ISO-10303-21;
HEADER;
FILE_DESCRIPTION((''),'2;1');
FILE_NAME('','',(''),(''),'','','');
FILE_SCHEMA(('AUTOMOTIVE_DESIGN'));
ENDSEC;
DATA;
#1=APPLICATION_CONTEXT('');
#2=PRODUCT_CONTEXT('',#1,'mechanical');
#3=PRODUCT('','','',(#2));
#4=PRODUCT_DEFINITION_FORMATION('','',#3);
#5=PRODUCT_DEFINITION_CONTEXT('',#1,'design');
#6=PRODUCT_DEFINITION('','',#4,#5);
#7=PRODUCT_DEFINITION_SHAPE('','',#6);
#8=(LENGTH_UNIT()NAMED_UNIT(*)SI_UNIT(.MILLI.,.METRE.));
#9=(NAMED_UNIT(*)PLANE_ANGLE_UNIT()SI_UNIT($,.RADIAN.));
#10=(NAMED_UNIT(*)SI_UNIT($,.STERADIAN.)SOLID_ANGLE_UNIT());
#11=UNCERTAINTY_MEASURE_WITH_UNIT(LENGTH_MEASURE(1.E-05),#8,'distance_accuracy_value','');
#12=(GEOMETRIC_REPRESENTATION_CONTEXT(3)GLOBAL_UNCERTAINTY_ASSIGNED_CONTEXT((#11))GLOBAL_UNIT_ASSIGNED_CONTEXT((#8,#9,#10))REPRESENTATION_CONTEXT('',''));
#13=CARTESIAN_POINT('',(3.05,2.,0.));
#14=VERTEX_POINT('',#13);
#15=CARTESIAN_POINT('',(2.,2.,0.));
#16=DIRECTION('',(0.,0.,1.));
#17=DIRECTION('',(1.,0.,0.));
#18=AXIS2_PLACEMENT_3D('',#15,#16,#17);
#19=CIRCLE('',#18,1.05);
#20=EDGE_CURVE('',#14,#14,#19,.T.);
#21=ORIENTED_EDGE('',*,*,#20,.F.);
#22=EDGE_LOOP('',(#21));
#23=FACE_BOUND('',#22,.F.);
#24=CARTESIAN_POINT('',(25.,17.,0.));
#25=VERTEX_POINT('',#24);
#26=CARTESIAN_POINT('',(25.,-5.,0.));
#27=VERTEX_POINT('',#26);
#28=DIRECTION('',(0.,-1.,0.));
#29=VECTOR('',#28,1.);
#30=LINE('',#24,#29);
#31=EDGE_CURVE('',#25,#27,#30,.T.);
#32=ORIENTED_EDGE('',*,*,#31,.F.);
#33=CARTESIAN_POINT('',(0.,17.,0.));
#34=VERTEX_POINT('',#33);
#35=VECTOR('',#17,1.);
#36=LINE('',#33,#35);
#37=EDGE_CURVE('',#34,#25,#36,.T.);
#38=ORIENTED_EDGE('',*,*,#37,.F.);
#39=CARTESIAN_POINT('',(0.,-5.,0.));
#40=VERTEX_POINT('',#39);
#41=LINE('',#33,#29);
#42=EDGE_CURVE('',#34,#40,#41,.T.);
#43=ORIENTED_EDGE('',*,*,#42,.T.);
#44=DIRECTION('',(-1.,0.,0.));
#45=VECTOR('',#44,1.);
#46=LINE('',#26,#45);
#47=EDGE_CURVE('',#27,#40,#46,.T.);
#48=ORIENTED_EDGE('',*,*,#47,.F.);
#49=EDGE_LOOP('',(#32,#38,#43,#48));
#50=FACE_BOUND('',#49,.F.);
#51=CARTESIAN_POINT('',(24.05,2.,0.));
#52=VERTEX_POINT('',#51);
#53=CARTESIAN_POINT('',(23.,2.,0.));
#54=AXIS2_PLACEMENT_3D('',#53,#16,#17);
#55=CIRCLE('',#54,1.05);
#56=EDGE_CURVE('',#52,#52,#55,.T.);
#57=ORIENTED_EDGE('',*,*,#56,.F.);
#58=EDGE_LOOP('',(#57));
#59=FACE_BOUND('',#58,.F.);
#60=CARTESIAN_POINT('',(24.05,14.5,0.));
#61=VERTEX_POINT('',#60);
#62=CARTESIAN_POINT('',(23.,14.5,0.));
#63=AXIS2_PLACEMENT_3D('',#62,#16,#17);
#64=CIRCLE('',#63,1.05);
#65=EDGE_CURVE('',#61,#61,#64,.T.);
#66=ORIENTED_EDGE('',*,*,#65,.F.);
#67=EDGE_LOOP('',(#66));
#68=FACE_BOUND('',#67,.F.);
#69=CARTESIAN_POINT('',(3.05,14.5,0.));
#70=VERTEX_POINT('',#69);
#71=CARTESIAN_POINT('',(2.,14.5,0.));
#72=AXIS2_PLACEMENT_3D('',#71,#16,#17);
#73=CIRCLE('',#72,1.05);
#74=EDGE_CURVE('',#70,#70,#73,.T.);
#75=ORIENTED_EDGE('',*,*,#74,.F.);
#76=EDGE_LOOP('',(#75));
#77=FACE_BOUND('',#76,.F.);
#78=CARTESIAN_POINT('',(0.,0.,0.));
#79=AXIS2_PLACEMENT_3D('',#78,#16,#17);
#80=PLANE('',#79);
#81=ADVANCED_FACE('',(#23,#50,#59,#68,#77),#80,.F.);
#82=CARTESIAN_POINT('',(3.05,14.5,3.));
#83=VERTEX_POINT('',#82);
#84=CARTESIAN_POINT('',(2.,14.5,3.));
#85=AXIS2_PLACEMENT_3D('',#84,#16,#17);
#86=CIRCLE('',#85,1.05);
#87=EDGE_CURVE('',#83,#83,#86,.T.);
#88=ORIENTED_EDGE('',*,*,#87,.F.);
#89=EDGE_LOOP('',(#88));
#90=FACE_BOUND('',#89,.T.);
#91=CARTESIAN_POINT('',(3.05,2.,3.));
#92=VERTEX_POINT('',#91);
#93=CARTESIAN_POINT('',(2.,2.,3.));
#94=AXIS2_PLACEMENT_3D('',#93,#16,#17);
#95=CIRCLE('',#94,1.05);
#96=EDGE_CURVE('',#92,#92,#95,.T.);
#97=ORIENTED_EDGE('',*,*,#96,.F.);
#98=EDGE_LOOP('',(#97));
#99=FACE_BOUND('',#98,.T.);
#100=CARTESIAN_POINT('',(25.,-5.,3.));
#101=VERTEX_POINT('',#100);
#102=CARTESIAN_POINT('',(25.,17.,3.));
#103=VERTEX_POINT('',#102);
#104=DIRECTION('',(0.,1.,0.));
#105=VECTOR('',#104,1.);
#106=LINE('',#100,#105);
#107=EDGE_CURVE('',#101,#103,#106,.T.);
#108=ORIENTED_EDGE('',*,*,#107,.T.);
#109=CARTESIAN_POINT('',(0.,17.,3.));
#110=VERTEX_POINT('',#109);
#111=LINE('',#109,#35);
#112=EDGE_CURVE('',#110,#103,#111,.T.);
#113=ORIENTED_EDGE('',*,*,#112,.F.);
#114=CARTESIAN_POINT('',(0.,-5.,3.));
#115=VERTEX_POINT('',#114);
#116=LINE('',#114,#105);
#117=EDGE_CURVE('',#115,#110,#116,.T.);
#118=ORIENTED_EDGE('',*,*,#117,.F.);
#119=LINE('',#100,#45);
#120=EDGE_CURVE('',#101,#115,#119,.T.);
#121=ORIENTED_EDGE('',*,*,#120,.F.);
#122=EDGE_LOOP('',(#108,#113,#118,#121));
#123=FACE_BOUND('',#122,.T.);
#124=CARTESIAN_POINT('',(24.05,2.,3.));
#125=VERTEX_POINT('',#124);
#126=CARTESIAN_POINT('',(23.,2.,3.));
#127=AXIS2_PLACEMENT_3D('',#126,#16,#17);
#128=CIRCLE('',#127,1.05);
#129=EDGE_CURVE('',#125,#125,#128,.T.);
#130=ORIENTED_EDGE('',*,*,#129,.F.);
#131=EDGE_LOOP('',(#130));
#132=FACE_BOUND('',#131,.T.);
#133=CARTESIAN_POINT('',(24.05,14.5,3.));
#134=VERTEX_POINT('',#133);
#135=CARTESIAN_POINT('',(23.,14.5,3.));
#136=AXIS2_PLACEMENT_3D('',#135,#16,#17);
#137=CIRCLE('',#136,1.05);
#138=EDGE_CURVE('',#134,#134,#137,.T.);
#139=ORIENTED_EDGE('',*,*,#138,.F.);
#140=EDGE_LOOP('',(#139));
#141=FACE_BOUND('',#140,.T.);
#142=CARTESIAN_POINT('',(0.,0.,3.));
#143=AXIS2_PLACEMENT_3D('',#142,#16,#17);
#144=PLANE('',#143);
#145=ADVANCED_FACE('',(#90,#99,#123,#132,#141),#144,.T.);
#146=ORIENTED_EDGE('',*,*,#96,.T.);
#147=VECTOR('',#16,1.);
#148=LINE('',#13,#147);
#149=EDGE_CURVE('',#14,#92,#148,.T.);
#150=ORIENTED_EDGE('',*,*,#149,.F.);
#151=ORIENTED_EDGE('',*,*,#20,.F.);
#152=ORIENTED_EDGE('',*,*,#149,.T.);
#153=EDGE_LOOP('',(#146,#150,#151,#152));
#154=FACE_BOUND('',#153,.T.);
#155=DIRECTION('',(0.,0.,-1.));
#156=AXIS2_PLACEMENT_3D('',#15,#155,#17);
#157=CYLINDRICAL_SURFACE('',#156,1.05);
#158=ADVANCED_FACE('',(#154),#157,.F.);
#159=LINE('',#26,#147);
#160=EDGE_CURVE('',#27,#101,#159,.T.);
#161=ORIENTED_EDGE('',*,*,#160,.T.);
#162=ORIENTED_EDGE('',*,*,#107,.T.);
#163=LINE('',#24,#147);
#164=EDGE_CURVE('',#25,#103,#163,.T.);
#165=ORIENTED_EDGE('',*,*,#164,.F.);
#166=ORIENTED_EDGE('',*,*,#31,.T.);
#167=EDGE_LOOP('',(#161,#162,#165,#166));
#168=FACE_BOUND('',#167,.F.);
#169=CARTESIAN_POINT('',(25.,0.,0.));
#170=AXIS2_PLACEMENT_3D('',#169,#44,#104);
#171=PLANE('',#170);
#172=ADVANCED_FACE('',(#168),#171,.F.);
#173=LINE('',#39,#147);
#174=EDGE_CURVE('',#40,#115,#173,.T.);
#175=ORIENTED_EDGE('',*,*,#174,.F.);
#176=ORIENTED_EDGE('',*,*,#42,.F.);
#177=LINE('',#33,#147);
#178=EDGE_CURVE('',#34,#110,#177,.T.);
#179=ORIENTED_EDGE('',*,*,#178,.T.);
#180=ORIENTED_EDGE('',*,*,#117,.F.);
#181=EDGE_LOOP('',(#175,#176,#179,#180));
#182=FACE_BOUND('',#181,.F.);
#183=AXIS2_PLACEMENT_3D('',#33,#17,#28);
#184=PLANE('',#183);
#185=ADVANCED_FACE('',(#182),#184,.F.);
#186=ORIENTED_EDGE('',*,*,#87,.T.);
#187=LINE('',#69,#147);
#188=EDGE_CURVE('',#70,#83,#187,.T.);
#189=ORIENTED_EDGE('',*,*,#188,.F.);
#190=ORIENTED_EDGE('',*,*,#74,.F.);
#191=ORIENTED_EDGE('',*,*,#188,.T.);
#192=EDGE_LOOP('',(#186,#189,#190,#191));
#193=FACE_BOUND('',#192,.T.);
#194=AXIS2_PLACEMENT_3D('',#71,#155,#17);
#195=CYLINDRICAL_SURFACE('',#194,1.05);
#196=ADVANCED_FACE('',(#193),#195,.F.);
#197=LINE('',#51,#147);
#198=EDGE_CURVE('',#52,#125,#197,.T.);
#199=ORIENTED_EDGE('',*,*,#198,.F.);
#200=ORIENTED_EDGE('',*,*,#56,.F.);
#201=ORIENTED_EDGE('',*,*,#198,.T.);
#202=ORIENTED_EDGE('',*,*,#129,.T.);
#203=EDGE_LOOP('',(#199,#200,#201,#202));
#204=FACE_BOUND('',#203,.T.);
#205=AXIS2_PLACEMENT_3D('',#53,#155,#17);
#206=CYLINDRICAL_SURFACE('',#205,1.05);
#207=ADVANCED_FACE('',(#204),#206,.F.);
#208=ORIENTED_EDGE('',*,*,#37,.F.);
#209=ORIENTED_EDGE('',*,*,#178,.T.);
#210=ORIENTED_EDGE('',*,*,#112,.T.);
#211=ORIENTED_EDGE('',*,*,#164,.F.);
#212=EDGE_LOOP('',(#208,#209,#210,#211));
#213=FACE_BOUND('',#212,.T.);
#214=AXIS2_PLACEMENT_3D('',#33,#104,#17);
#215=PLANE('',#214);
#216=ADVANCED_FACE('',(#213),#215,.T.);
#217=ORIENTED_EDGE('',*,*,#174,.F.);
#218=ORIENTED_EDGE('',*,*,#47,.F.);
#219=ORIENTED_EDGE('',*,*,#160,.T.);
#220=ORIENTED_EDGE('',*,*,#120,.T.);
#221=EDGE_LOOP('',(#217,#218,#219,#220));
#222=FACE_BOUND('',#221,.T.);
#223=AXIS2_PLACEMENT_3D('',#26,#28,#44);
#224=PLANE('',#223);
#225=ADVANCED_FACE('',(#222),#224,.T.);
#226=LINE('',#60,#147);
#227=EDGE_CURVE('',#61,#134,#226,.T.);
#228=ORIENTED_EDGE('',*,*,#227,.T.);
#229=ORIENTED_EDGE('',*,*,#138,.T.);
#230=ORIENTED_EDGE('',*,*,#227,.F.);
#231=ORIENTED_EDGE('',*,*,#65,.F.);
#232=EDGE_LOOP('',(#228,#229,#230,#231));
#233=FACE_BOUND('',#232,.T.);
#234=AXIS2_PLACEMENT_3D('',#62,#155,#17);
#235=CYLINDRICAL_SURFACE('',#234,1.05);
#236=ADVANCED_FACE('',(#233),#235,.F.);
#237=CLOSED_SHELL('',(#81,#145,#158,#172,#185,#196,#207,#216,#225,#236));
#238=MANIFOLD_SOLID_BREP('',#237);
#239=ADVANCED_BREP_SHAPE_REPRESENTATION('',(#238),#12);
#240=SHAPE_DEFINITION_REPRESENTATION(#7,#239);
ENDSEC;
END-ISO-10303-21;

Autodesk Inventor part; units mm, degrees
ref_plane "YZ Plane" through (0, 0, 0) normal (1, 0, 0) x (0, 1, 0)
ref_plane "XZ Plane" through (0, 0, 0) normal (0, 1, 0) x (-1, 0, 0)
ref_plane "XY Plane" through (0, 0, 0) normal (0, 0, 1) x (1, 0, 0)
sketch "Boceto1" plane through (0, 0, 0) normal (0, 0, 1) x (1, 0, 0)
  line L0 (0, 0) -> (25, 0)
  line L1 (25, 0) -> (25, 24)
  line L2 (25, 24) -> (0, 24)
  line L3 (0, 24) -> (0, 0)
  circle A0 centre (2, 2) radius 1.05
  circle A1 centre (23, 2) radius 1.05
  circle A2 centre (2, 14.5) radius 1.05
  circle A3 centre (23, 14.5) radius 1.05
  line L4 (0, 17) -> (25, 17)
  line L5 (0, 0) -> (25, 0)
  line L6 (25, 0) -> (25, -5)
  line L7 (25, -5) -> (0, -5)
  line L8 (0, -5) -> (0, 0)
  dimension "d0" = 25
  dimension "d1" = 24
  dimension "d2" = 2.1
  dimension "d3" = 2
  dimension "d4" = 2
  dimension "d7" = 21
  dimension "d10" = 12.5
  dimension "d13" = 7
  dimension "d14" = 5
extrude "Extrusión1" add sketch "Boceto1" along normal blind 3 contours L3 L4 L1 L0 | L0 L6 L7 L8
properties part number "Sujetador_camara"
